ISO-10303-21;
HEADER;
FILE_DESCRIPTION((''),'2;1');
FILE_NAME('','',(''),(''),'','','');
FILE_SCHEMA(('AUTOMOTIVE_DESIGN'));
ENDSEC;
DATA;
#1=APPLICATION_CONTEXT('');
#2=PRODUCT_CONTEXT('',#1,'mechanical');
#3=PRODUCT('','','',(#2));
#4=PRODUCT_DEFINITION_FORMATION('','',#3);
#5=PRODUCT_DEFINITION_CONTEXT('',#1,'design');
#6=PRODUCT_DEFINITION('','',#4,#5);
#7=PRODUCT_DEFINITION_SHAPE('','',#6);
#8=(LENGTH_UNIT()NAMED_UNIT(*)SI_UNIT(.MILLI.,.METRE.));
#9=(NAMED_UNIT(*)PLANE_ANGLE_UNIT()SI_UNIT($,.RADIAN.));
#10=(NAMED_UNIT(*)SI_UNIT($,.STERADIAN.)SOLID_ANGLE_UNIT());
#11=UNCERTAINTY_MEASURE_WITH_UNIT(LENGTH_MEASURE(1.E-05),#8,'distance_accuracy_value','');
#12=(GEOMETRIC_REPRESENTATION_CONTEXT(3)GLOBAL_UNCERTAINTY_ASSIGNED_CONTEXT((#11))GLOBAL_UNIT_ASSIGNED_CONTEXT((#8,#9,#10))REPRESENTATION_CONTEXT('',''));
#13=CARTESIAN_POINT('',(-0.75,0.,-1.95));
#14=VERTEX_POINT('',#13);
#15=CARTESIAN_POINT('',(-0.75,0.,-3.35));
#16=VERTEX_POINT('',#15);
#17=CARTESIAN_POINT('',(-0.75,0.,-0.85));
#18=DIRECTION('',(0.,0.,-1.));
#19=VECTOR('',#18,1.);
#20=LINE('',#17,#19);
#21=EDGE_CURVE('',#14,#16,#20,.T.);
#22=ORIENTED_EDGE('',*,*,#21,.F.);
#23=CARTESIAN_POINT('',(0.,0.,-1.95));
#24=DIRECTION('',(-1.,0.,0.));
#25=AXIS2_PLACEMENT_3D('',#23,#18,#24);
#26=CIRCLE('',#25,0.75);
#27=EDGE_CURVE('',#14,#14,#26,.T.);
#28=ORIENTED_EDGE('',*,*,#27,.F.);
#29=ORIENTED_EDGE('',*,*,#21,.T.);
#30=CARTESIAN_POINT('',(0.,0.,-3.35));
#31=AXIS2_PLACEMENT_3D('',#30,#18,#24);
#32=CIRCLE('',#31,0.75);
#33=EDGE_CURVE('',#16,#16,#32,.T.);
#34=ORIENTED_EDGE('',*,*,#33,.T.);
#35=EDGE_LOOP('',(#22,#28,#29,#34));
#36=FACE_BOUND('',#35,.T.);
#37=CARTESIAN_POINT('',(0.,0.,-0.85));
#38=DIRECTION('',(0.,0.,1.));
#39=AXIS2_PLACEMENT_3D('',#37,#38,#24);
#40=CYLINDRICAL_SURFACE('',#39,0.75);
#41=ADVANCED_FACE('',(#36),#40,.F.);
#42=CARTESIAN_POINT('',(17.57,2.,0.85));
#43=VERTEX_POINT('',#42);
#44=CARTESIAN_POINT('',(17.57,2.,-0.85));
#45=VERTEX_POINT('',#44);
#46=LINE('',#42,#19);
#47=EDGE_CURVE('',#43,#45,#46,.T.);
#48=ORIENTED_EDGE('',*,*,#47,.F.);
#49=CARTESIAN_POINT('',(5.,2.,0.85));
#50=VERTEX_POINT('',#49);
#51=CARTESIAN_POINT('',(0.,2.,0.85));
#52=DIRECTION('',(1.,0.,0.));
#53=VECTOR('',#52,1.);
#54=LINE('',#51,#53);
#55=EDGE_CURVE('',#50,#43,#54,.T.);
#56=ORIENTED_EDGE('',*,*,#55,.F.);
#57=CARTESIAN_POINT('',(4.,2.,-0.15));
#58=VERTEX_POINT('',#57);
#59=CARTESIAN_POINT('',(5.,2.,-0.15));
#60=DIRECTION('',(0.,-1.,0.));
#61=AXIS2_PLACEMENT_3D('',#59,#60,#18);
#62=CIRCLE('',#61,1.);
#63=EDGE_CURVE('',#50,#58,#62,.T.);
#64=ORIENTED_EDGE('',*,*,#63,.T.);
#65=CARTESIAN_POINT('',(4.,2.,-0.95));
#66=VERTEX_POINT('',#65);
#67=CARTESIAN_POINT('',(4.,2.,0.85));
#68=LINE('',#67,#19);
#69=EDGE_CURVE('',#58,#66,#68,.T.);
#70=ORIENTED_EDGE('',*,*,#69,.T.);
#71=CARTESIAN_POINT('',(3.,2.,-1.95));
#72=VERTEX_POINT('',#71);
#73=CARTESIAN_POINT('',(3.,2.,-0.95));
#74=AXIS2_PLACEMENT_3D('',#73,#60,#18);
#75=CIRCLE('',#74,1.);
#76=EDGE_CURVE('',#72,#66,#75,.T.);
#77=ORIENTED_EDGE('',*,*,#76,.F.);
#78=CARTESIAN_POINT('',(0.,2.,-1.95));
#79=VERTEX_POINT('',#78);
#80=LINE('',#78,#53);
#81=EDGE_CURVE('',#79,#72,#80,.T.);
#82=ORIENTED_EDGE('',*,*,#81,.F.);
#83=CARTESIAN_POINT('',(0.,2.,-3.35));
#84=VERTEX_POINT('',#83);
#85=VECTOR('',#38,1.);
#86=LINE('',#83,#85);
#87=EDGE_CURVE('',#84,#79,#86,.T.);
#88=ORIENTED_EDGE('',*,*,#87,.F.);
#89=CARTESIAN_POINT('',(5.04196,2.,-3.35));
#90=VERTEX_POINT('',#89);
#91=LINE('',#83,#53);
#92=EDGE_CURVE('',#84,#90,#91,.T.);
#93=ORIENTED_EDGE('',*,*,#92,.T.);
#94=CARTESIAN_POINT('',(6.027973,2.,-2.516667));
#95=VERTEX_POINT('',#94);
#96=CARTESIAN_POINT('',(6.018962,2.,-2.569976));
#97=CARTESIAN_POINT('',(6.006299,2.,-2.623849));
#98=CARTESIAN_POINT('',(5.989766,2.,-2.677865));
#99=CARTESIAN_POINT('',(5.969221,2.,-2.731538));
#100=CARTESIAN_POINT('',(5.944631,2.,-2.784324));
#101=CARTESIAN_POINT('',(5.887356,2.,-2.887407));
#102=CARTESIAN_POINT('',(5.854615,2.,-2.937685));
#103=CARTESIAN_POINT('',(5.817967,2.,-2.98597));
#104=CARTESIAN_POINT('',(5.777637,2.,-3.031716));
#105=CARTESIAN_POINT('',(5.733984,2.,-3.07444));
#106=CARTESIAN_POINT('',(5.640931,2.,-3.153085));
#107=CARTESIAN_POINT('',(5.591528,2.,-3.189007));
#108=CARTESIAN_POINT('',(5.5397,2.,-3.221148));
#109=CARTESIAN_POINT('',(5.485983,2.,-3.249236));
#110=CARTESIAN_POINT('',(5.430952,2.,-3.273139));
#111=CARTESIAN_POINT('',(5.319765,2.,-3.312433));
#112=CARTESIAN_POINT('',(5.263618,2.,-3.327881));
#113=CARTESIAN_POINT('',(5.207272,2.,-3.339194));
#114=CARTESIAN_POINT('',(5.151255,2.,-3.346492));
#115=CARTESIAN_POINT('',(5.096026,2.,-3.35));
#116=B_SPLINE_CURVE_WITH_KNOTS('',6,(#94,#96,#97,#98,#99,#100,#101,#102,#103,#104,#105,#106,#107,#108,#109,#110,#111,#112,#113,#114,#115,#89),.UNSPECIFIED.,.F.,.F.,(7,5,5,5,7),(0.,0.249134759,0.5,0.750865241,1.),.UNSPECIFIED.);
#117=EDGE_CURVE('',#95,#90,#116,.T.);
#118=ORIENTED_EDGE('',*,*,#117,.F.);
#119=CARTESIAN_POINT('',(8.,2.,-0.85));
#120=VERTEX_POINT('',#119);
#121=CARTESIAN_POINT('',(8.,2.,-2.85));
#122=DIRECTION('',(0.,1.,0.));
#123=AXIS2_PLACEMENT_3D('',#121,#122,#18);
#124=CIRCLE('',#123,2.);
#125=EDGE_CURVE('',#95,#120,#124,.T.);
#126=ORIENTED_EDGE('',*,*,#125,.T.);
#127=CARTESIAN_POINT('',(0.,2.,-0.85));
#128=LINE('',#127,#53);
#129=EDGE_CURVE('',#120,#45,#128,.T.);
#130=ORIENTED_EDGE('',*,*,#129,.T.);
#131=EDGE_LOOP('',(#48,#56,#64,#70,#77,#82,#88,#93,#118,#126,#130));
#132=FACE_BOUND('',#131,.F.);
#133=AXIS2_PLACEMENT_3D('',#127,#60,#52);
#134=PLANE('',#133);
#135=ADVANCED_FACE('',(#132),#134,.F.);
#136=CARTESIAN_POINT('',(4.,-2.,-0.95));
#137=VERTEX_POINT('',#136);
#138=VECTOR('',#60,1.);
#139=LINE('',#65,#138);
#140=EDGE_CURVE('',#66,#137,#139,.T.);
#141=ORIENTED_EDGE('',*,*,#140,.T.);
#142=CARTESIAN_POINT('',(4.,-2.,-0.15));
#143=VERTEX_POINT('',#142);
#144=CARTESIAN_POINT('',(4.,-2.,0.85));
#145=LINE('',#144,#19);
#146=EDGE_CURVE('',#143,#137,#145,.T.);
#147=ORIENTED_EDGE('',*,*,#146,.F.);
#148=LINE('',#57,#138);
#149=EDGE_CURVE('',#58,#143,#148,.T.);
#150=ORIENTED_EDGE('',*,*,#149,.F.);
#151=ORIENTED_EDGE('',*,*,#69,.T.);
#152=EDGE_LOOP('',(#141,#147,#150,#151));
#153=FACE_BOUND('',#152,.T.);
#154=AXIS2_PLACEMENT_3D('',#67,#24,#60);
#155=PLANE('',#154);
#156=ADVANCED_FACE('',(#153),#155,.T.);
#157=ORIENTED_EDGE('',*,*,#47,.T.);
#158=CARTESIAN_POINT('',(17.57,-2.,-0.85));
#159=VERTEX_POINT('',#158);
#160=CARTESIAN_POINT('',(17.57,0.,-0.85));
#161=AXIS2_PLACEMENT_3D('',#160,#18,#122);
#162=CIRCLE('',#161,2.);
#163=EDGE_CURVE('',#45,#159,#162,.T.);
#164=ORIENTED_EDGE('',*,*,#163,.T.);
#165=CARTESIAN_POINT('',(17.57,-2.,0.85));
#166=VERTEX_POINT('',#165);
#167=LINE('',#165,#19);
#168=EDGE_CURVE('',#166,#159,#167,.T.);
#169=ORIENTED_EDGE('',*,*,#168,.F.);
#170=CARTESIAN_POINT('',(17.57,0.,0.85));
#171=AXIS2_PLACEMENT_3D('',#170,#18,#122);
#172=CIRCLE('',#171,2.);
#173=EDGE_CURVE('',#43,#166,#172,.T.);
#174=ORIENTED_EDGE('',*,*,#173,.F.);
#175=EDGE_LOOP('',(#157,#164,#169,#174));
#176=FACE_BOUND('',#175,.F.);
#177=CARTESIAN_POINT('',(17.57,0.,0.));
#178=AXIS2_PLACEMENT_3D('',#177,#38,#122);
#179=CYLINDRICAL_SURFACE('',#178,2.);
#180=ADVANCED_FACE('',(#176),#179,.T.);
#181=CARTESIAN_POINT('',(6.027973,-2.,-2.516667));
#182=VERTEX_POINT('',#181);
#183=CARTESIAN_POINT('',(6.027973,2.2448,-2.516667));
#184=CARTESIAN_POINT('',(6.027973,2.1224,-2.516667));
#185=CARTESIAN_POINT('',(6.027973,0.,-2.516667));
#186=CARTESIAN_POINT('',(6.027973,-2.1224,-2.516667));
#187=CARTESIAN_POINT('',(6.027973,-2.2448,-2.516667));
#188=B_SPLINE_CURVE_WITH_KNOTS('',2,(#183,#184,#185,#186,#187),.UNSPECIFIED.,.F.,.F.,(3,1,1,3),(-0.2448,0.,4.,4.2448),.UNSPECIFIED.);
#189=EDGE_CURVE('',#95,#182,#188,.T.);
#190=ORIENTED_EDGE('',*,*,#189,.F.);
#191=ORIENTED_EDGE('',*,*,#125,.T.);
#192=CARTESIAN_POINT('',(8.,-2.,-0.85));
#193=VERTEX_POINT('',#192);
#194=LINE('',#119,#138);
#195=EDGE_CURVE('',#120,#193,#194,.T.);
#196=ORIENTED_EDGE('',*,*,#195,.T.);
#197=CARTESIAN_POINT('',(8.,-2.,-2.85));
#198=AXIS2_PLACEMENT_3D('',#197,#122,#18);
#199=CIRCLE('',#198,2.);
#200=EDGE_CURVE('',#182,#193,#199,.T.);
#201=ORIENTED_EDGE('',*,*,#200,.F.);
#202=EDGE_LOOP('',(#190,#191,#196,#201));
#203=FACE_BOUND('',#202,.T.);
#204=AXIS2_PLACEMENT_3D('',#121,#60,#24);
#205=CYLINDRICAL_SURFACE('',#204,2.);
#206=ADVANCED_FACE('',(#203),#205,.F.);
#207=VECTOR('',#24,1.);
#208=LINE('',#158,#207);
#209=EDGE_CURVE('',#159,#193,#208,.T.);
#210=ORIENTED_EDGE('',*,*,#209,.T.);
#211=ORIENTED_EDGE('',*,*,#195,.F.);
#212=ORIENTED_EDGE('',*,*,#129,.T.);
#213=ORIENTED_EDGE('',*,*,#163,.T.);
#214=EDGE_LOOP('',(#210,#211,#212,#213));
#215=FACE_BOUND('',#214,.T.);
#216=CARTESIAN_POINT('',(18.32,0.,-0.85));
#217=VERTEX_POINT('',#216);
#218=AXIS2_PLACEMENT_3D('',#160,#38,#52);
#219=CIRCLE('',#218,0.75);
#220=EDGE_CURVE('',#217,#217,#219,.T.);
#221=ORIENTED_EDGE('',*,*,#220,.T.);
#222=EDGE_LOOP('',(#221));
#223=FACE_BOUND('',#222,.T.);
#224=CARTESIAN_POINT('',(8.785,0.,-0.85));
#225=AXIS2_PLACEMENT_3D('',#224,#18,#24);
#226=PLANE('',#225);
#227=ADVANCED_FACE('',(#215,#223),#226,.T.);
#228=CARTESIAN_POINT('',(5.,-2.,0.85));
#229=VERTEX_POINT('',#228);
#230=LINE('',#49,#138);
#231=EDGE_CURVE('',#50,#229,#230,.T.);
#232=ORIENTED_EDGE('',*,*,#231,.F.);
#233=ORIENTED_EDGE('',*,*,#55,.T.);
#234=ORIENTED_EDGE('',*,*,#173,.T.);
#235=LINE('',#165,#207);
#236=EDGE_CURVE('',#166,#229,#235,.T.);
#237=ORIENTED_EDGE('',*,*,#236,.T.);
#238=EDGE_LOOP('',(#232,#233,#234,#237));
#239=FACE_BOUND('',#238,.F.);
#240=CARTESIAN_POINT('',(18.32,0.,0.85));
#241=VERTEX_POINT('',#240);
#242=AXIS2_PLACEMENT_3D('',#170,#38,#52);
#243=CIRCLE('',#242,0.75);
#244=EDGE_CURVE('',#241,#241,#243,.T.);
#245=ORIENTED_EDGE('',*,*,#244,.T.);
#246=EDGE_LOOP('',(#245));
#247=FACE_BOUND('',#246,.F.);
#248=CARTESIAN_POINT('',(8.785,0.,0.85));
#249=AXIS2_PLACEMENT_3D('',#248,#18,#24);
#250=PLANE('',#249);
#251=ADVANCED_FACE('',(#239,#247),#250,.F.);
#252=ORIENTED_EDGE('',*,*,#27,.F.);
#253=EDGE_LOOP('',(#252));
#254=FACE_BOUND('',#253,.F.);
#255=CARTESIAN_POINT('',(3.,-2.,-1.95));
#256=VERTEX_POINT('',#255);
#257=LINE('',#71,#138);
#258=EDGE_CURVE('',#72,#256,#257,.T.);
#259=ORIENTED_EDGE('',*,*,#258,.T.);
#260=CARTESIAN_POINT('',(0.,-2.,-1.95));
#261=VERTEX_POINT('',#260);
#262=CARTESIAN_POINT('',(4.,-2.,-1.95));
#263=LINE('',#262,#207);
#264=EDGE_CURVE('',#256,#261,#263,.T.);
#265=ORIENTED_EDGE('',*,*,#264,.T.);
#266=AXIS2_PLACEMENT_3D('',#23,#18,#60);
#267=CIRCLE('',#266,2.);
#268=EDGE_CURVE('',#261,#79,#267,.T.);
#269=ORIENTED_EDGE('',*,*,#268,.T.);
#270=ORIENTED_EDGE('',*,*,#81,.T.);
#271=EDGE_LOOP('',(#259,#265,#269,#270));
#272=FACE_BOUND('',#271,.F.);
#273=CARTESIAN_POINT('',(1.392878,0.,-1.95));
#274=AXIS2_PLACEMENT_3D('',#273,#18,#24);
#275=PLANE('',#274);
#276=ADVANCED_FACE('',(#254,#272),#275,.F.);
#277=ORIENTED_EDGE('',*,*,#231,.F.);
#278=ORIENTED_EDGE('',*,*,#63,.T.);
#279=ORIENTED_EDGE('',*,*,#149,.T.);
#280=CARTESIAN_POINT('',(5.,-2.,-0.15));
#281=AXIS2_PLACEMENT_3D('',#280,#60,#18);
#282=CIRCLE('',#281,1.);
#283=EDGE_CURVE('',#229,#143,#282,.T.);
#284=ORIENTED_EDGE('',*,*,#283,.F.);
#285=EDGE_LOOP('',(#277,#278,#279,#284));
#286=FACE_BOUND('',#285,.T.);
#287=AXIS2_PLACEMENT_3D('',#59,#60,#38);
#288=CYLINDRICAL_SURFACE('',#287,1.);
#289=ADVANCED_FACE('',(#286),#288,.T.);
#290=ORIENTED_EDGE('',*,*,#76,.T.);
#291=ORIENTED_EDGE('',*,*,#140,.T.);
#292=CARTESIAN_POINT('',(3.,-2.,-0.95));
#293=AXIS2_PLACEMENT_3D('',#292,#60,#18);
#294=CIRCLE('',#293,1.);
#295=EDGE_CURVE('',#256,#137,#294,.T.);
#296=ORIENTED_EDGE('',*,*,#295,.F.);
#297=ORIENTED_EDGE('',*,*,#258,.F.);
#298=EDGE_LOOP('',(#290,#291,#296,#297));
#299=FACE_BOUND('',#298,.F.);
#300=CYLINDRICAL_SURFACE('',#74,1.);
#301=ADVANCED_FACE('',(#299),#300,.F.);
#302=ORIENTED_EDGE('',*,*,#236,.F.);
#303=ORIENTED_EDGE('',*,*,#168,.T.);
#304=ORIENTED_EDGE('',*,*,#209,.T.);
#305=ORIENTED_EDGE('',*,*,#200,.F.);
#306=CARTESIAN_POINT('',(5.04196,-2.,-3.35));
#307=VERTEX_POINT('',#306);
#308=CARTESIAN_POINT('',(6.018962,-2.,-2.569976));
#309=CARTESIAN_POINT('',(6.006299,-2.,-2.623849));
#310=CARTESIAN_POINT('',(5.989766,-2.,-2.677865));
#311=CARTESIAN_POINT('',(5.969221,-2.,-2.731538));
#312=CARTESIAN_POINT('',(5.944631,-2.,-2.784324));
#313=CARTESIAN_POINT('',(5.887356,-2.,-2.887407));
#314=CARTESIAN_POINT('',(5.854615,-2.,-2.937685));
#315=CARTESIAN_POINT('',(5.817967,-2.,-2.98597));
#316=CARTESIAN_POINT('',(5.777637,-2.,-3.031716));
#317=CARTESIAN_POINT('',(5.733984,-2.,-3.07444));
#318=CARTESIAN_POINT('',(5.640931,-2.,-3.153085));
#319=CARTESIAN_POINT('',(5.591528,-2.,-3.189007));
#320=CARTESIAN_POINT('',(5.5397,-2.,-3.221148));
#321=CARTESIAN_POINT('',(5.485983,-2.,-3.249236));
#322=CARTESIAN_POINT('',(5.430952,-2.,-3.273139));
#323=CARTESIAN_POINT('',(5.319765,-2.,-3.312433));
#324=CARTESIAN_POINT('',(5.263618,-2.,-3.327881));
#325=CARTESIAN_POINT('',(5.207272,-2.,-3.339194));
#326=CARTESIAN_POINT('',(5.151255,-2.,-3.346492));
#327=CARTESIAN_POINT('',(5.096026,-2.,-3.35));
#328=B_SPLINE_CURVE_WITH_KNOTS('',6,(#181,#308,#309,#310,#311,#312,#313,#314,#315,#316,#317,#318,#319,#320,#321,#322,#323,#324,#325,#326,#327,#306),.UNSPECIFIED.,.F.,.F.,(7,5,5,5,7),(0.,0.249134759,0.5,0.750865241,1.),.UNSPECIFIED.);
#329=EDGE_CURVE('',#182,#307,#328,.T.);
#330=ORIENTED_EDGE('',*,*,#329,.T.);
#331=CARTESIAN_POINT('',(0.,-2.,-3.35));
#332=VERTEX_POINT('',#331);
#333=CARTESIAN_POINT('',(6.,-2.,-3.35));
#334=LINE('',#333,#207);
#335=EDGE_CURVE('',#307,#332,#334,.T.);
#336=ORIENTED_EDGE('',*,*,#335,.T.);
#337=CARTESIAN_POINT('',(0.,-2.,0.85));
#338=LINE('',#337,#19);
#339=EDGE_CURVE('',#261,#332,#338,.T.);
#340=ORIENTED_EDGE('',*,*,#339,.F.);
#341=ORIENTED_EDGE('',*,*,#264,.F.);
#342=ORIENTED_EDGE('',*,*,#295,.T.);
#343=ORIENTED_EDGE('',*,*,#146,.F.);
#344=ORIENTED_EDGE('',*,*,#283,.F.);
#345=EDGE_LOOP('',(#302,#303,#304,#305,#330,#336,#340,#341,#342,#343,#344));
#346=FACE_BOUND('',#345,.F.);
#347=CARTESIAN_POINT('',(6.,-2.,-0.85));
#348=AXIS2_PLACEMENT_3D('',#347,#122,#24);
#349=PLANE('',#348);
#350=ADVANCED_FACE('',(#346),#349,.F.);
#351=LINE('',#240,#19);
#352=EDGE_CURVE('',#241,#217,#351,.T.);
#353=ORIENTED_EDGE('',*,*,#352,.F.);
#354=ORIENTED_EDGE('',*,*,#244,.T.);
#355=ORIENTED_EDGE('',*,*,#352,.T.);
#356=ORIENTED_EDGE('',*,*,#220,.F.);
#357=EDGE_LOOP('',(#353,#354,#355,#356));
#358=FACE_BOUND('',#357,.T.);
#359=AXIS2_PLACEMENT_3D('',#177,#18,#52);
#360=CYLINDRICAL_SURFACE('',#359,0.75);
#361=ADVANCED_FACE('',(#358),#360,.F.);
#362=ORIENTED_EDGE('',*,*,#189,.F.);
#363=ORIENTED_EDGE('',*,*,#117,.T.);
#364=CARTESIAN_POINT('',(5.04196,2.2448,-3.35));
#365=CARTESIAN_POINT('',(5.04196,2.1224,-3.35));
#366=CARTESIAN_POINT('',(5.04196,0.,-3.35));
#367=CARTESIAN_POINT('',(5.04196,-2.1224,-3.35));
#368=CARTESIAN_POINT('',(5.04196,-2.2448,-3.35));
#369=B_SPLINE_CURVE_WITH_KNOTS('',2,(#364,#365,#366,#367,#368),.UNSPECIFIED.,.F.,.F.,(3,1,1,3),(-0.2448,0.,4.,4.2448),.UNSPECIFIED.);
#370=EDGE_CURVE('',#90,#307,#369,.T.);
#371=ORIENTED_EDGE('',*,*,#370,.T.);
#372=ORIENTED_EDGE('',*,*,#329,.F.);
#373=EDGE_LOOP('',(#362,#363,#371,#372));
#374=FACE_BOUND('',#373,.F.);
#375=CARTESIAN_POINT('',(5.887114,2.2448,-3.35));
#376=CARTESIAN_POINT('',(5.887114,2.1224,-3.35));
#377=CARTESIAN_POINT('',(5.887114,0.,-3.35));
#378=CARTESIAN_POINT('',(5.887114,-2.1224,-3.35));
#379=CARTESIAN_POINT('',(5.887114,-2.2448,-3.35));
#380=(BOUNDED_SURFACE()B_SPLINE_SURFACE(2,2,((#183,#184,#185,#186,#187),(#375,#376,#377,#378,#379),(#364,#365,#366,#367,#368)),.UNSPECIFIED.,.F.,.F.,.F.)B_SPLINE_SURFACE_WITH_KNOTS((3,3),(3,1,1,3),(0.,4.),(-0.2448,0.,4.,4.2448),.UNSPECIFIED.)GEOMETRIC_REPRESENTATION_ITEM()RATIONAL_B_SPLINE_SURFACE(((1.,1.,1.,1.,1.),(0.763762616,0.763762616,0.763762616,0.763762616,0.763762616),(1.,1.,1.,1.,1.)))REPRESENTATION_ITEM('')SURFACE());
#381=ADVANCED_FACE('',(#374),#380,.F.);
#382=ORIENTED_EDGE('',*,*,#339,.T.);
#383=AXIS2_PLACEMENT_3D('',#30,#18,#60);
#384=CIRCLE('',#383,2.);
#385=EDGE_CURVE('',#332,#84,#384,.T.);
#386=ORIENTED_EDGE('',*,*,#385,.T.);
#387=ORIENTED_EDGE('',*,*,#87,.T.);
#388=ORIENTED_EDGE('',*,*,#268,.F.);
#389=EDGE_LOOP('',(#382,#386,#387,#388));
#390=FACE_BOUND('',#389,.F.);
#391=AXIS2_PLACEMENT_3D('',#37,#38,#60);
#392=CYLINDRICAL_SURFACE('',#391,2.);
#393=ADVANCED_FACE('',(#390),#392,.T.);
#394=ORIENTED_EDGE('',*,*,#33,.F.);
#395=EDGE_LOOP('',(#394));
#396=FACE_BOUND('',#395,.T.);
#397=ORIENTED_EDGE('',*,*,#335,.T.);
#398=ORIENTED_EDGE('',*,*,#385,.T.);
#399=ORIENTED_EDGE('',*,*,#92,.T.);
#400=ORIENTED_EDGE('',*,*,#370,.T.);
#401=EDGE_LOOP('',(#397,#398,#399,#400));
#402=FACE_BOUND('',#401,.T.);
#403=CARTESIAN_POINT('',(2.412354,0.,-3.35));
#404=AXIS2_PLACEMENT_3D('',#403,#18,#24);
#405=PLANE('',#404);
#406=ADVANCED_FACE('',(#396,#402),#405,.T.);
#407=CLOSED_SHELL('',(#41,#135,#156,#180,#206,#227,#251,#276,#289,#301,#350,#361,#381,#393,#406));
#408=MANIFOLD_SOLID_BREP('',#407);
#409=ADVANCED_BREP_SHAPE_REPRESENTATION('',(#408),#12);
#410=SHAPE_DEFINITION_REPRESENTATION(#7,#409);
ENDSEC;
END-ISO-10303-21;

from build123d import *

# Parameters (mm, degrees)
SKETCH1_R           = 0.75
BOSS_EXTRUDE1_DEPTH = 0.85
SKETCH2_R           = 0.75
BOSS_EXTRUDE2_DEPTH = 2.5
SKETCH3_R           = 0.75
CUT_EXTRUDE1_DEPTH  = 2.8
FILLET1_R           = 2
FILLET2_R           = 1
FILLET3_R           = 1


with BuildPart() as part:
    # Sketch1 → Boss-Extrude1 (new body, symmetric)
    with BuildSketch(Plane.XY):
        with BuildLine():
            Line((0, 2), (17.57, 2))
            ThreePointArc((17.57, 2), (19.57, 0), (17.57, -2))
            Line((17.57, -2), (0, -2))
            ThreePointArc((0, -2), (-2, 0), (0, 2))
        make_face()
        Circle(SKETCH1_R, mode=Mode.SUBTRACT)
        with Locations((17.57, 0)):
            Circle(SKETCH1_R, mode=Mode.SUBTRACT)
    extrude(amount=BOSS_EXTRUDE1_DEPTH, both=True)

    # Sketch2 → Boss-Extrude2 (add)
    with BuildSketch(Plane(origin=(0, 0, -0.85), x_dir=(-1, 0, 0), z_dir=(0, 0, -1))):
        with BuildLine():
            Line((-6, 2), (-6, -2))
            Line((-6, -2), (0, -2))
            ThreePointArc((0, -2), (2, 0), (0, 2))
            Line((0, 2), (-6, 2))
        make_face()
        Circle(SKETCH2_R, mode=Mode.SUBTRACT)
    extrude(amount=BOSS_EXTRUDE2_DEPTH)

    # Sketch3 → Cut-Extrude1 (cut)
    with BuildSketch(Plane.XY.offset(0.85)):
        with BuildLine():
            Line((4, 2), (4, -2))
            Line((4, -2), (0, -2))
            ThreePointArc((0, -2), (-2, 0), (0, 2))
            Line((0, 2), (4, 2))
        make_face()
        Circle(SKETCH3_R, mode=Mode.SUBTRACT)
    extrude(amount=-CUT_EXTRUDE1_DEPTH, mode=Mode.SUBTRACT)

    # Fillet1
    fillet1_edges = [part.edges().sort_by_distance(p)[0] for p in [
        (6, 0, -0.85),
    ]]
    fillet(fillet1_edges, radius=FILLET1_R)

    # Fillet2
    fillet2_edges = [part.edges().sort_by_distance(p)[0] for p in [
        (6, 0, -3.35),
    ]]
    fillet(fillet2_edges, radius=FILLET2_R)

    # Fillet3
    fillet3_edges = [part.edges().sort_by_distance(p)[0] for p in [
        (4, 0, -1.95),
        (4, 0, 0.85),
    ]]
    fillet(fillet3_edges, radius=FILLET3_R)


solid = part.part
